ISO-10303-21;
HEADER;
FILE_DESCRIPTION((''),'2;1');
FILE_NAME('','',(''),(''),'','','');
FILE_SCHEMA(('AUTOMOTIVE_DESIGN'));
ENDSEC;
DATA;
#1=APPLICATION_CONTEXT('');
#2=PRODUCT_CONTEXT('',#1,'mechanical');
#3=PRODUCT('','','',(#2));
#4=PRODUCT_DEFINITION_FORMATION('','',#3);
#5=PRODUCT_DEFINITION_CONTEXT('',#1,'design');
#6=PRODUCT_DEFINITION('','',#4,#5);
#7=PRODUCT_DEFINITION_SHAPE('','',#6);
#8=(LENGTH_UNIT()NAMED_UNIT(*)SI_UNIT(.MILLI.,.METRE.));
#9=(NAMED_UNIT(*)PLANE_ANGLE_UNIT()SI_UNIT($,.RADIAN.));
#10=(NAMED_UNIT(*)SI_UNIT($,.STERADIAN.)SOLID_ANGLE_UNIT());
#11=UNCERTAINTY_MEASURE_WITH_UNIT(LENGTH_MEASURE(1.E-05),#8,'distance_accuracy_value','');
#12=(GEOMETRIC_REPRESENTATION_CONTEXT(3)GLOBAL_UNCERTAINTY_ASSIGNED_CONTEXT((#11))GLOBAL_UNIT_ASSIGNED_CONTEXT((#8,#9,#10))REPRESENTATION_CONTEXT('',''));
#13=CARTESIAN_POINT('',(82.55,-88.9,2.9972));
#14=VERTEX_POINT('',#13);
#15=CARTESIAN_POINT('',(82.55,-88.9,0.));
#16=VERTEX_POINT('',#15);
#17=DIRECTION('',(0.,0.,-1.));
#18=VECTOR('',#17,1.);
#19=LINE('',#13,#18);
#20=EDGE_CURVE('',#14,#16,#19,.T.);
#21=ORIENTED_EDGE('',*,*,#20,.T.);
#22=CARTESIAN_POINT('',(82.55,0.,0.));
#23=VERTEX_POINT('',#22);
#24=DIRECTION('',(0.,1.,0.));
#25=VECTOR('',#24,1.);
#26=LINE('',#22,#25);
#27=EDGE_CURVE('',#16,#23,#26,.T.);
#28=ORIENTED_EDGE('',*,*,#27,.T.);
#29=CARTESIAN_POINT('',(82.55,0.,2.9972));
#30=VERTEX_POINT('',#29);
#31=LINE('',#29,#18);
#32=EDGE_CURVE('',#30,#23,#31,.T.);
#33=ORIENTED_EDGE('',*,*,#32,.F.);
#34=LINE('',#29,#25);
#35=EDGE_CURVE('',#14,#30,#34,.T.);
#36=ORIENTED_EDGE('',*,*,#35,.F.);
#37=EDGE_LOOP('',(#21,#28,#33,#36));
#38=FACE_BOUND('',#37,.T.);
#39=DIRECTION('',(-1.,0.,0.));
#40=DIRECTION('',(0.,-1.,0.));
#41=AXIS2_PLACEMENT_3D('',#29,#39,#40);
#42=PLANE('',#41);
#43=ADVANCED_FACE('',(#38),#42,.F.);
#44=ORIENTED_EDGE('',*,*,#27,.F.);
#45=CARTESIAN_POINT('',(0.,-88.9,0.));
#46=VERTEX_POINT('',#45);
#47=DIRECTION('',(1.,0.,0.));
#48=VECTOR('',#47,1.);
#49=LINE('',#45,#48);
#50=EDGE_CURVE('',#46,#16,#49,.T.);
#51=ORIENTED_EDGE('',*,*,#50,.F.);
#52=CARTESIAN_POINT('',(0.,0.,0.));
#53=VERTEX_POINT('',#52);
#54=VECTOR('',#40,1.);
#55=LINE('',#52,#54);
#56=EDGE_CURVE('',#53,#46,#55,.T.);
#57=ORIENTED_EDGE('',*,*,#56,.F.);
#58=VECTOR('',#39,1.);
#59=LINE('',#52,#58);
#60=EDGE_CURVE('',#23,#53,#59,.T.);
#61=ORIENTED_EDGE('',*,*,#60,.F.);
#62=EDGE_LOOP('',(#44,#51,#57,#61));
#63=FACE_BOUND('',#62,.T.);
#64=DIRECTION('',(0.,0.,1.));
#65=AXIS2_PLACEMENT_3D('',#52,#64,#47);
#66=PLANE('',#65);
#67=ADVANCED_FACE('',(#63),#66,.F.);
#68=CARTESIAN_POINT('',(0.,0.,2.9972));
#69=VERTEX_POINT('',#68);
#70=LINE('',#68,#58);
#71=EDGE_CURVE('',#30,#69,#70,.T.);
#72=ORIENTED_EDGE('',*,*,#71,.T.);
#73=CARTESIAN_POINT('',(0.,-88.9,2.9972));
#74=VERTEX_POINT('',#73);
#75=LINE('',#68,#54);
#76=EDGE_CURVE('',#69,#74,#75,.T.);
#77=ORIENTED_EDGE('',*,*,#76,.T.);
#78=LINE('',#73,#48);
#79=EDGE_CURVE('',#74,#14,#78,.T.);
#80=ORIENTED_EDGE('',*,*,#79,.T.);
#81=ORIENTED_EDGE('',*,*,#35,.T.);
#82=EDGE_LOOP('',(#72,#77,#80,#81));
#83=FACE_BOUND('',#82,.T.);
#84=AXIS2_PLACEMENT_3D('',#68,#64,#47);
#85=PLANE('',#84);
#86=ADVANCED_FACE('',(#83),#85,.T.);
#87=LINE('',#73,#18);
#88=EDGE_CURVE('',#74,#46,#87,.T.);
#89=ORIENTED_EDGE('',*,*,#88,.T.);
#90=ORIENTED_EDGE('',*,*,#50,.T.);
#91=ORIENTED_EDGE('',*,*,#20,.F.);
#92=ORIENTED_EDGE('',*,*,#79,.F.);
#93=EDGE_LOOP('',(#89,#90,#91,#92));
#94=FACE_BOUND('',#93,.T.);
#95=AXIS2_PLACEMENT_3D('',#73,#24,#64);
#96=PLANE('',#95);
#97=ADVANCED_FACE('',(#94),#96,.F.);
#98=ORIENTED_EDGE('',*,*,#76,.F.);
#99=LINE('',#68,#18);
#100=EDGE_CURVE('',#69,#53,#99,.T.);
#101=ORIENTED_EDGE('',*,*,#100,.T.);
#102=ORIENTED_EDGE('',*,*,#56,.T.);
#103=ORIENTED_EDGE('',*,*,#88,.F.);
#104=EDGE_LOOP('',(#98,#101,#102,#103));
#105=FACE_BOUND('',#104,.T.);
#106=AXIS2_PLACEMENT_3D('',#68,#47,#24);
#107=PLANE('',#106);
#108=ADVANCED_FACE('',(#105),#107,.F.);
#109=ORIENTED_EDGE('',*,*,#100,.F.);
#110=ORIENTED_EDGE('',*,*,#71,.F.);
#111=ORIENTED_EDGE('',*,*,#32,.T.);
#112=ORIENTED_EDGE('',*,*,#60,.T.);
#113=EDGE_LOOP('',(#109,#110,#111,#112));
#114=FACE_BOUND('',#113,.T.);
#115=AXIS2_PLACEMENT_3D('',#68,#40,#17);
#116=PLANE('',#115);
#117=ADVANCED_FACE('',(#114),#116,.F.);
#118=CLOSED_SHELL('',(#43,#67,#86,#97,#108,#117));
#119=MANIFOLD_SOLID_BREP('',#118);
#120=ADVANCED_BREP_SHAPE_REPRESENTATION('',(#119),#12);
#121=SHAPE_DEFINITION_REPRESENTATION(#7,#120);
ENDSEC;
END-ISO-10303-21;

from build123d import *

# Parameters (mm, degrees)
SKETCH1_W           = 82.55
SKETCH1_H           = 88.9
BOSS_EXTRUDE2_DEPTH = 2.9972


with BuildPart() as part:
    # Sketch1 → Boss-Extrude2 (new body)
    with BuildSketch(Plane.XY):
        with Locations((41.275, -44.45)):
            Rectangle(SKETCH1_W, SKETCH1_H)
    extrude(amount=BOSS_EXTRUDE2_DEPTH)


solid = part.part
